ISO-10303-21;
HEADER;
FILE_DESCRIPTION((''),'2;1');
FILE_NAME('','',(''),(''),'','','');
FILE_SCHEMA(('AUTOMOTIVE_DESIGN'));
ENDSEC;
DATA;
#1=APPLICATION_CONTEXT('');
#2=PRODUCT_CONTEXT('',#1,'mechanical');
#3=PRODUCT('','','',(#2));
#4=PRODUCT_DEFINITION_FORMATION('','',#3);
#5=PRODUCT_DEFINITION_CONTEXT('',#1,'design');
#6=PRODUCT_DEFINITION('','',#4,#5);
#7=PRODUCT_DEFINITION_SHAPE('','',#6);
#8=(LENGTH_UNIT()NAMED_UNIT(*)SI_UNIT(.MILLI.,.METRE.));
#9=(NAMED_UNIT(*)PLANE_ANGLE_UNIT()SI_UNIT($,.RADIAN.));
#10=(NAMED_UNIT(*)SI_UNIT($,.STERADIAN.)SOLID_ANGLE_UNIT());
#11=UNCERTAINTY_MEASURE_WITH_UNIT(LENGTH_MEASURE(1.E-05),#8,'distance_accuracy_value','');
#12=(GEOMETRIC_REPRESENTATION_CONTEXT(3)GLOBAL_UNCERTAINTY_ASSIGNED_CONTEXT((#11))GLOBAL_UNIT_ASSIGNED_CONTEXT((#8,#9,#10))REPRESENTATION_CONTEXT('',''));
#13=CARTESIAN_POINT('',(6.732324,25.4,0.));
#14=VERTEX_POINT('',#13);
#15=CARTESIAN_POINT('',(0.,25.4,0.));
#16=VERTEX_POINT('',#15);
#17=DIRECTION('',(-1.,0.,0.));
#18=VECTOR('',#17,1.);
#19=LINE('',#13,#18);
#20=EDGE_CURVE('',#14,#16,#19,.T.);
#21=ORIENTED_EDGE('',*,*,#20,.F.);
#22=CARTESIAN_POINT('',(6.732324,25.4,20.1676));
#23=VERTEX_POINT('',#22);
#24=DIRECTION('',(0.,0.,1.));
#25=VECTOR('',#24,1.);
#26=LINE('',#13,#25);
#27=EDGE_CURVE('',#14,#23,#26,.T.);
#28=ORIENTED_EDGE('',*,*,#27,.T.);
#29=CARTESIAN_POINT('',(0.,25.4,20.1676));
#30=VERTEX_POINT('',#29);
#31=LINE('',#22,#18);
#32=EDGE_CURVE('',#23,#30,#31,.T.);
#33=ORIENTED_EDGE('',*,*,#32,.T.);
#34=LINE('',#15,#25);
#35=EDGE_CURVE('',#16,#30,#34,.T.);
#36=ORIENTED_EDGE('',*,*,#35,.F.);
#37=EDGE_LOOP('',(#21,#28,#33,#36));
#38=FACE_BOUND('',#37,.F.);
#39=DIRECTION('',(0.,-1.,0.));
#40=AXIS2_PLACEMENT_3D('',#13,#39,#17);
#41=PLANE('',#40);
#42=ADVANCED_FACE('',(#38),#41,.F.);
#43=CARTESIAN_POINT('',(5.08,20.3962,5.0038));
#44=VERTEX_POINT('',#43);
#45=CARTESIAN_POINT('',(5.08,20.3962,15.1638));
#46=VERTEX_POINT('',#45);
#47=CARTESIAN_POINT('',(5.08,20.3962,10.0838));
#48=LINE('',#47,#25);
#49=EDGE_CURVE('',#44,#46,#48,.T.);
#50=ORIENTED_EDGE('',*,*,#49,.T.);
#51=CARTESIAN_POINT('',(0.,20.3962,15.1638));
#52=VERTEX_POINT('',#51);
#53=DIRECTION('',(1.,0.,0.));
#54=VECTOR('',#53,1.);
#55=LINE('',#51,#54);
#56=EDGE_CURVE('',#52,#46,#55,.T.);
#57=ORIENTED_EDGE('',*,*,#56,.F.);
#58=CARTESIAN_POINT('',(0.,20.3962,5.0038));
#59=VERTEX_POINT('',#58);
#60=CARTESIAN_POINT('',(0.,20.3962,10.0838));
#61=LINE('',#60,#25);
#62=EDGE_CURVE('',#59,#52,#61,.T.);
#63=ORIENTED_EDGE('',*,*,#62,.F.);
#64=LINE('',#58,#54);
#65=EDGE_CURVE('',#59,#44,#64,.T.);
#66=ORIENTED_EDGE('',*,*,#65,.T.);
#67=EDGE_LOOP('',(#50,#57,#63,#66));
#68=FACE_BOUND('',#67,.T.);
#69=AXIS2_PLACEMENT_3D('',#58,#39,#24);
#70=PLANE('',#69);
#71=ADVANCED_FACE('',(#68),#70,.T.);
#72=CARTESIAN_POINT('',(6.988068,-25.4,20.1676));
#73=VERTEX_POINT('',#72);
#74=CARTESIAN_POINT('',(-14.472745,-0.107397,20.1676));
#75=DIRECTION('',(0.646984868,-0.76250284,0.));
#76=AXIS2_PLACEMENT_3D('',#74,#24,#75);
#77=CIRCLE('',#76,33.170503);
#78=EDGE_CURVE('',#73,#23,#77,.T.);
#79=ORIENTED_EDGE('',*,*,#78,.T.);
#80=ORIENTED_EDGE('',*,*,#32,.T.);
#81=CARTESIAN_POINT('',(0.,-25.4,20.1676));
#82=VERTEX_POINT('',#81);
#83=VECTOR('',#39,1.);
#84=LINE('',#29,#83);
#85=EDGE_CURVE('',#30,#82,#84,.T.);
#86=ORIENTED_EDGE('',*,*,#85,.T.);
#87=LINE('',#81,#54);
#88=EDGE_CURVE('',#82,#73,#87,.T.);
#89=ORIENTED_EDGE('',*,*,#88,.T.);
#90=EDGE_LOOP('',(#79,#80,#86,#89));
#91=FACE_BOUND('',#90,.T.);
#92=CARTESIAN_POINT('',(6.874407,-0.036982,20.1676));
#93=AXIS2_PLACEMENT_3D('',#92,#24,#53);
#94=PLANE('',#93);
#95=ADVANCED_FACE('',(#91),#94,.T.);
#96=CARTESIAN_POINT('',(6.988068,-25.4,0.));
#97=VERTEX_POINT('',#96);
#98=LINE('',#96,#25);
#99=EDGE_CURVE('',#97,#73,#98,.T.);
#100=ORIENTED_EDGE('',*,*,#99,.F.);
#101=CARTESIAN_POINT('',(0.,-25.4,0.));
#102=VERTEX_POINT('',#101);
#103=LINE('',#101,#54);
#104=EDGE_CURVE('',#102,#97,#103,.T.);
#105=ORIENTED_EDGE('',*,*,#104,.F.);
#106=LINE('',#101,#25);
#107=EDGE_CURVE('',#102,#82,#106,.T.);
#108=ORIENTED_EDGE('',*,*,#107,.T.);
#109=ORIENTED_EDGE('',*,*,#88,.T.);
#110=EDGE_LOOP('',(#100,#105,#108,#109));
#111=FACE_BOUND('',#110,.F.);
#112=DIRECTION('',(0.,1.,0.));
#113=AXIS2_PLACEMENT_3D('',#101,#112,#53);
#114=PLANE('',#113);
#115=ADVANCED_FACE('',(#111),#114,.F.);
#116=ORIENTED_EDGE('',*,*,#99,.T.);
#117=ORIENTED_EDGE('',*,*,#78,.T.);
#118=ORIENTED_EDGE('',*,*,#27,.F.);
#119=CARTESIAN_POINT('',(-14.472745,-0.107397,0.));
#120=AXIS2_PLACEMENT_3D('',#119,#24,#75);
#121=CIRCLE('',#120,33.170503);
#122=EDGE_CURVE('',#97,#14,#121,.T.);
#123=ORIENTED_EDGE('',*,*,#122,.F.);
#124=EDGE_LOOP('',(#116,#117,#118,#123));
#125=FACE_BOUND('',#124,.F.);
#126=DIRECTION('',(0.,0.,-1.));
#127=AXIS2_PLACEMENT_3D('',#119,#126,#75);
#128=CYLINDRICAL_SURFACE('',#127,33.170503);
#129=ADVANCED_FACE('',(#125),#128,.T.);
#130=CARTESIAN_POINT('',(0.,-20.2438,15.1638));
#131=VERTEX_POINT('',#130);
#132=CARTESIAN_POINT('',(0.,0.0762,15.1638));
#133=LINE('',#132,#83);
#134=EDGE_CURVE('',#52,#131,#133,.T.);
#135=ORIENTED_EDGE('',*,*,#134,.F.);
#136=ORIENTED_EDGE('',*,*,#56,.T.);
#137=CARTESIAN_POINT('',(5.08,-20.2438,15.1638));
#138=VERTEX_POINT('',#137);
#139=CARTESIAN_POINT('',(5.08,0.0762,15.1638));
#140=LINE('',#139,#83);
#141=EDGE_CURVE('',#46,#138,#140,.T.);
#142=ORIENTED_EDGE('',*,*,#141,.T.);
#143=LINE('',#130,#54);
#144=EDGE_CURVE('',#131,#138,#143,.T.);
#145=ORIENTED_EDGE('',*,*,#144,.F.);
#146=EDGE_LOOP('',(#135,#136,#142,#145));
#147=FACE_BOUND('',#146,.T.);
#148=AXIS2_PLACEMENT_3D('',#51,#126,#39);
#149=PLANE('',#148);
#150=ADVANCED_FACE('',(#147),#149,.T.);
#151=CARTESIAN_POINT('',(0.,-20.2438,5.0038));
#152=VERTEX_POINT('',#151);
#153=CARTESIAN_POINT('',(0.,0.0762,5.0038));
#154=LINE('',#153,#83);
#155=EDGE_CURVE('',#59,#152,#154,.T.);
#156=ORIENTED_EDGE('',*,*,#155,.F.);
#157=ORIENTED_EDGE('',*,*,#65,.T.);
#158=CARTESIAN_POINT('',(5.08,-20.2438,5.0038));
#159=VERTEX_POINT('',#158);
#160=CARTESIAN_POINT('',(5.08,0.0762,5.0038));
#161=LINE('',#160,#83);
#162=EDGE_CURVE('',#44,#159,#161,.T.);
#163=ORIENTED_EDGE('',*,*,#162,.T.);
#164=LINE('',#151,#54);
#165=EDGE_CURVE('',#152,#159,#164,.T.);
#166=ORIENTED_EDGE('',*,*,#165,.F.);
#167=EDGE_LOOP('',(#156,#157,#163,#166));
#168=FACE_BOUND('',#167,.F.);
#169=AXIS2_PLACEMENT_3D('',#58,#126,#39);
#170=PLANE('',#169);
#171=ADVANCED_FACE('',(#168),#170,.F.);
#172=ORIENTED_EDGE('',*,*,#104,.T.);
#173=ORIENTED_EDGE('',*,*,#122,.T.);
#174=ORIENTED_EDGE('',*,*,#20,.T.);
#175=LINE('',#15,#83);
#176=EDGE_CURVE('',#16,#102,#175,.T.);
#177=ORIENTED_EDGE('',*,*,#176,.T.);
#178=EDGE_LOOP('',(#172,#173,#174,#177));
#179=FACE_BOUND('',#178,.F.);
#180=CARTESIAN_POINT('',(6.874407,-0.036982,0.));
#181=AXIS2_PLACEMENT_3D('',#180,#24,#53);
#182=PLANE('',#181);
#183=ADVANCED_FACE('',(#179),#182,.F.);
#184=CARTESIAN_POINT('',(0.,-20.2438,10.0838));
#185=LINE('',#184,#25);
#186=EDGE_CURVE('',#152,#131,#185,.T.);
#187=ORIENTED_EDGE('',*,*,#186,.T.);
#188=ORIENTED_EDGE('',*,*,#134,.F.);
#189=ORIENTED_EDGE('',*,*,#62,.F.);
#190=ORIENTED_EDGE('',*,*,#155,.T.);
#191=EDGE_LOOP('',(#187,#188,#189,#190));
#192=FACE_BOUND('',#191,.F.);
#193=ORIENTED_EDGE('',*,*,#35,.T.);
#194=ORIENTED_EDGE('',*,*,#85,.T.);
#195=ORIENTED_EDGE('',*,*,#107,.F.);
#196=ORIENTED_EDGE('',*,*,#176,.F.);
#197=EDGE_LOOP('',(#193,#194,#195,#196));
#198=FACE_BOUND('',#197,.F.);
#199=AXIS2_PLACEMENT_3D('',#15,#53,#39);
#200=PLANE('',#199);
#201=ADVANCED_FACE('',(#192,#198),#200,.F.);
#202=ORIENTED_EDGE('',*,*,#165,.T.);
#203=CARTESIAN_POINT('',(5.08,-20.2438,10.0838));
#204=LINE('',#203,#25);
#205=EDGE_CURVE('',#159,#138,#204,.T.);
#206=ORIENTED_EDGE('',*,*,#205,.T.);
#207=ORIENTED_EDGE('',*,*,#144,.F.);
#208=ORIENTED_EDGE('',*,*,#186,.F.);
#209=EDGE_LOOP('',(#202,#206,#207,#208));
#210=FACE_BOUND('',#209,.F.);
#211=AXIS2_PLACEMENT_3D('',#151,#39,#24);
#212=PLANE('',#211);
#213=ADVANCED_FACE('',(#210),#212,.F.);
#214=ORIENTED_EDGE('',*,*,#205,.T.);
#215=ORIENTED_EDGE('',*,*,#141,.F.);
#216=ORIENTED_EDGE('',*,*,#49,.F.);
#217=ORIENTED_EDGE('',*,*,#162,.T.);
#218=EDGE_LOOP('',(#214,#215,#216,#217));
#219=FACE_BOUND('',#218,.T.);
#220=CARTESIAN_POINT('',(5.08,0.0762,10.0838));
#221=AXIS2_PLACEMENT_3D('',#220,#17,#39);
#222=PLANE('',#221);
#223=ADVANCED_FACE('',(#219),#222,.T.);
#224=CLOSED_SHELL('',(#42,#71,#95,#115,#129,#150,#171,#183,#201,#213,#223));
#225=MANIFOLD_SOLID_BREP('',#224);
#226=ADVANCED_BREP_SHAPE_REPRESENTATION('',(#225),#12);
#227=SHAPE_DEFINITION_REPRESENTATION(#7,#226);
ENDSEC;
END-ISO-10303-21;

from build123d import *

# Parameters (mm, degrees)
F2_DEPTH = 20.1676
F3_W     = 40.64
F3_H     = 10.16
F4_DEPTH = 5.08


with BuildPart() as f2:
    # F1 (on Top) → F2 (new body)
    with BuildSketch(Plane.XY):
        with BuildLine():
            Line((6.7323240508, 25.4), (0, 25.4))
            Line((0, 25.4), (0, -25.4))
            Line((0, -25.4), (6.988068358, -25.4))
            ThreePointArc((6.988068358, -25.4), (18.6973375399, 0.0595921557), (6.7323240508, 25.4))
        make_face()
    extrude(amount=F2_DEPTH)

    # F3 (on face) → F4 (cut)
    with BuildSketch(Plane(origin=(0, 0, 0), x_dir=(0, -1, 0), z_dir=(-1, 0, 0))):
        with Locations((-0.0762, 10.0838)):
            Rectangle(F3_W, F3_H)
    extrude(amount=-F4_DEPTH, mode=Mode.SUBTRACT)


solid = f2.part
